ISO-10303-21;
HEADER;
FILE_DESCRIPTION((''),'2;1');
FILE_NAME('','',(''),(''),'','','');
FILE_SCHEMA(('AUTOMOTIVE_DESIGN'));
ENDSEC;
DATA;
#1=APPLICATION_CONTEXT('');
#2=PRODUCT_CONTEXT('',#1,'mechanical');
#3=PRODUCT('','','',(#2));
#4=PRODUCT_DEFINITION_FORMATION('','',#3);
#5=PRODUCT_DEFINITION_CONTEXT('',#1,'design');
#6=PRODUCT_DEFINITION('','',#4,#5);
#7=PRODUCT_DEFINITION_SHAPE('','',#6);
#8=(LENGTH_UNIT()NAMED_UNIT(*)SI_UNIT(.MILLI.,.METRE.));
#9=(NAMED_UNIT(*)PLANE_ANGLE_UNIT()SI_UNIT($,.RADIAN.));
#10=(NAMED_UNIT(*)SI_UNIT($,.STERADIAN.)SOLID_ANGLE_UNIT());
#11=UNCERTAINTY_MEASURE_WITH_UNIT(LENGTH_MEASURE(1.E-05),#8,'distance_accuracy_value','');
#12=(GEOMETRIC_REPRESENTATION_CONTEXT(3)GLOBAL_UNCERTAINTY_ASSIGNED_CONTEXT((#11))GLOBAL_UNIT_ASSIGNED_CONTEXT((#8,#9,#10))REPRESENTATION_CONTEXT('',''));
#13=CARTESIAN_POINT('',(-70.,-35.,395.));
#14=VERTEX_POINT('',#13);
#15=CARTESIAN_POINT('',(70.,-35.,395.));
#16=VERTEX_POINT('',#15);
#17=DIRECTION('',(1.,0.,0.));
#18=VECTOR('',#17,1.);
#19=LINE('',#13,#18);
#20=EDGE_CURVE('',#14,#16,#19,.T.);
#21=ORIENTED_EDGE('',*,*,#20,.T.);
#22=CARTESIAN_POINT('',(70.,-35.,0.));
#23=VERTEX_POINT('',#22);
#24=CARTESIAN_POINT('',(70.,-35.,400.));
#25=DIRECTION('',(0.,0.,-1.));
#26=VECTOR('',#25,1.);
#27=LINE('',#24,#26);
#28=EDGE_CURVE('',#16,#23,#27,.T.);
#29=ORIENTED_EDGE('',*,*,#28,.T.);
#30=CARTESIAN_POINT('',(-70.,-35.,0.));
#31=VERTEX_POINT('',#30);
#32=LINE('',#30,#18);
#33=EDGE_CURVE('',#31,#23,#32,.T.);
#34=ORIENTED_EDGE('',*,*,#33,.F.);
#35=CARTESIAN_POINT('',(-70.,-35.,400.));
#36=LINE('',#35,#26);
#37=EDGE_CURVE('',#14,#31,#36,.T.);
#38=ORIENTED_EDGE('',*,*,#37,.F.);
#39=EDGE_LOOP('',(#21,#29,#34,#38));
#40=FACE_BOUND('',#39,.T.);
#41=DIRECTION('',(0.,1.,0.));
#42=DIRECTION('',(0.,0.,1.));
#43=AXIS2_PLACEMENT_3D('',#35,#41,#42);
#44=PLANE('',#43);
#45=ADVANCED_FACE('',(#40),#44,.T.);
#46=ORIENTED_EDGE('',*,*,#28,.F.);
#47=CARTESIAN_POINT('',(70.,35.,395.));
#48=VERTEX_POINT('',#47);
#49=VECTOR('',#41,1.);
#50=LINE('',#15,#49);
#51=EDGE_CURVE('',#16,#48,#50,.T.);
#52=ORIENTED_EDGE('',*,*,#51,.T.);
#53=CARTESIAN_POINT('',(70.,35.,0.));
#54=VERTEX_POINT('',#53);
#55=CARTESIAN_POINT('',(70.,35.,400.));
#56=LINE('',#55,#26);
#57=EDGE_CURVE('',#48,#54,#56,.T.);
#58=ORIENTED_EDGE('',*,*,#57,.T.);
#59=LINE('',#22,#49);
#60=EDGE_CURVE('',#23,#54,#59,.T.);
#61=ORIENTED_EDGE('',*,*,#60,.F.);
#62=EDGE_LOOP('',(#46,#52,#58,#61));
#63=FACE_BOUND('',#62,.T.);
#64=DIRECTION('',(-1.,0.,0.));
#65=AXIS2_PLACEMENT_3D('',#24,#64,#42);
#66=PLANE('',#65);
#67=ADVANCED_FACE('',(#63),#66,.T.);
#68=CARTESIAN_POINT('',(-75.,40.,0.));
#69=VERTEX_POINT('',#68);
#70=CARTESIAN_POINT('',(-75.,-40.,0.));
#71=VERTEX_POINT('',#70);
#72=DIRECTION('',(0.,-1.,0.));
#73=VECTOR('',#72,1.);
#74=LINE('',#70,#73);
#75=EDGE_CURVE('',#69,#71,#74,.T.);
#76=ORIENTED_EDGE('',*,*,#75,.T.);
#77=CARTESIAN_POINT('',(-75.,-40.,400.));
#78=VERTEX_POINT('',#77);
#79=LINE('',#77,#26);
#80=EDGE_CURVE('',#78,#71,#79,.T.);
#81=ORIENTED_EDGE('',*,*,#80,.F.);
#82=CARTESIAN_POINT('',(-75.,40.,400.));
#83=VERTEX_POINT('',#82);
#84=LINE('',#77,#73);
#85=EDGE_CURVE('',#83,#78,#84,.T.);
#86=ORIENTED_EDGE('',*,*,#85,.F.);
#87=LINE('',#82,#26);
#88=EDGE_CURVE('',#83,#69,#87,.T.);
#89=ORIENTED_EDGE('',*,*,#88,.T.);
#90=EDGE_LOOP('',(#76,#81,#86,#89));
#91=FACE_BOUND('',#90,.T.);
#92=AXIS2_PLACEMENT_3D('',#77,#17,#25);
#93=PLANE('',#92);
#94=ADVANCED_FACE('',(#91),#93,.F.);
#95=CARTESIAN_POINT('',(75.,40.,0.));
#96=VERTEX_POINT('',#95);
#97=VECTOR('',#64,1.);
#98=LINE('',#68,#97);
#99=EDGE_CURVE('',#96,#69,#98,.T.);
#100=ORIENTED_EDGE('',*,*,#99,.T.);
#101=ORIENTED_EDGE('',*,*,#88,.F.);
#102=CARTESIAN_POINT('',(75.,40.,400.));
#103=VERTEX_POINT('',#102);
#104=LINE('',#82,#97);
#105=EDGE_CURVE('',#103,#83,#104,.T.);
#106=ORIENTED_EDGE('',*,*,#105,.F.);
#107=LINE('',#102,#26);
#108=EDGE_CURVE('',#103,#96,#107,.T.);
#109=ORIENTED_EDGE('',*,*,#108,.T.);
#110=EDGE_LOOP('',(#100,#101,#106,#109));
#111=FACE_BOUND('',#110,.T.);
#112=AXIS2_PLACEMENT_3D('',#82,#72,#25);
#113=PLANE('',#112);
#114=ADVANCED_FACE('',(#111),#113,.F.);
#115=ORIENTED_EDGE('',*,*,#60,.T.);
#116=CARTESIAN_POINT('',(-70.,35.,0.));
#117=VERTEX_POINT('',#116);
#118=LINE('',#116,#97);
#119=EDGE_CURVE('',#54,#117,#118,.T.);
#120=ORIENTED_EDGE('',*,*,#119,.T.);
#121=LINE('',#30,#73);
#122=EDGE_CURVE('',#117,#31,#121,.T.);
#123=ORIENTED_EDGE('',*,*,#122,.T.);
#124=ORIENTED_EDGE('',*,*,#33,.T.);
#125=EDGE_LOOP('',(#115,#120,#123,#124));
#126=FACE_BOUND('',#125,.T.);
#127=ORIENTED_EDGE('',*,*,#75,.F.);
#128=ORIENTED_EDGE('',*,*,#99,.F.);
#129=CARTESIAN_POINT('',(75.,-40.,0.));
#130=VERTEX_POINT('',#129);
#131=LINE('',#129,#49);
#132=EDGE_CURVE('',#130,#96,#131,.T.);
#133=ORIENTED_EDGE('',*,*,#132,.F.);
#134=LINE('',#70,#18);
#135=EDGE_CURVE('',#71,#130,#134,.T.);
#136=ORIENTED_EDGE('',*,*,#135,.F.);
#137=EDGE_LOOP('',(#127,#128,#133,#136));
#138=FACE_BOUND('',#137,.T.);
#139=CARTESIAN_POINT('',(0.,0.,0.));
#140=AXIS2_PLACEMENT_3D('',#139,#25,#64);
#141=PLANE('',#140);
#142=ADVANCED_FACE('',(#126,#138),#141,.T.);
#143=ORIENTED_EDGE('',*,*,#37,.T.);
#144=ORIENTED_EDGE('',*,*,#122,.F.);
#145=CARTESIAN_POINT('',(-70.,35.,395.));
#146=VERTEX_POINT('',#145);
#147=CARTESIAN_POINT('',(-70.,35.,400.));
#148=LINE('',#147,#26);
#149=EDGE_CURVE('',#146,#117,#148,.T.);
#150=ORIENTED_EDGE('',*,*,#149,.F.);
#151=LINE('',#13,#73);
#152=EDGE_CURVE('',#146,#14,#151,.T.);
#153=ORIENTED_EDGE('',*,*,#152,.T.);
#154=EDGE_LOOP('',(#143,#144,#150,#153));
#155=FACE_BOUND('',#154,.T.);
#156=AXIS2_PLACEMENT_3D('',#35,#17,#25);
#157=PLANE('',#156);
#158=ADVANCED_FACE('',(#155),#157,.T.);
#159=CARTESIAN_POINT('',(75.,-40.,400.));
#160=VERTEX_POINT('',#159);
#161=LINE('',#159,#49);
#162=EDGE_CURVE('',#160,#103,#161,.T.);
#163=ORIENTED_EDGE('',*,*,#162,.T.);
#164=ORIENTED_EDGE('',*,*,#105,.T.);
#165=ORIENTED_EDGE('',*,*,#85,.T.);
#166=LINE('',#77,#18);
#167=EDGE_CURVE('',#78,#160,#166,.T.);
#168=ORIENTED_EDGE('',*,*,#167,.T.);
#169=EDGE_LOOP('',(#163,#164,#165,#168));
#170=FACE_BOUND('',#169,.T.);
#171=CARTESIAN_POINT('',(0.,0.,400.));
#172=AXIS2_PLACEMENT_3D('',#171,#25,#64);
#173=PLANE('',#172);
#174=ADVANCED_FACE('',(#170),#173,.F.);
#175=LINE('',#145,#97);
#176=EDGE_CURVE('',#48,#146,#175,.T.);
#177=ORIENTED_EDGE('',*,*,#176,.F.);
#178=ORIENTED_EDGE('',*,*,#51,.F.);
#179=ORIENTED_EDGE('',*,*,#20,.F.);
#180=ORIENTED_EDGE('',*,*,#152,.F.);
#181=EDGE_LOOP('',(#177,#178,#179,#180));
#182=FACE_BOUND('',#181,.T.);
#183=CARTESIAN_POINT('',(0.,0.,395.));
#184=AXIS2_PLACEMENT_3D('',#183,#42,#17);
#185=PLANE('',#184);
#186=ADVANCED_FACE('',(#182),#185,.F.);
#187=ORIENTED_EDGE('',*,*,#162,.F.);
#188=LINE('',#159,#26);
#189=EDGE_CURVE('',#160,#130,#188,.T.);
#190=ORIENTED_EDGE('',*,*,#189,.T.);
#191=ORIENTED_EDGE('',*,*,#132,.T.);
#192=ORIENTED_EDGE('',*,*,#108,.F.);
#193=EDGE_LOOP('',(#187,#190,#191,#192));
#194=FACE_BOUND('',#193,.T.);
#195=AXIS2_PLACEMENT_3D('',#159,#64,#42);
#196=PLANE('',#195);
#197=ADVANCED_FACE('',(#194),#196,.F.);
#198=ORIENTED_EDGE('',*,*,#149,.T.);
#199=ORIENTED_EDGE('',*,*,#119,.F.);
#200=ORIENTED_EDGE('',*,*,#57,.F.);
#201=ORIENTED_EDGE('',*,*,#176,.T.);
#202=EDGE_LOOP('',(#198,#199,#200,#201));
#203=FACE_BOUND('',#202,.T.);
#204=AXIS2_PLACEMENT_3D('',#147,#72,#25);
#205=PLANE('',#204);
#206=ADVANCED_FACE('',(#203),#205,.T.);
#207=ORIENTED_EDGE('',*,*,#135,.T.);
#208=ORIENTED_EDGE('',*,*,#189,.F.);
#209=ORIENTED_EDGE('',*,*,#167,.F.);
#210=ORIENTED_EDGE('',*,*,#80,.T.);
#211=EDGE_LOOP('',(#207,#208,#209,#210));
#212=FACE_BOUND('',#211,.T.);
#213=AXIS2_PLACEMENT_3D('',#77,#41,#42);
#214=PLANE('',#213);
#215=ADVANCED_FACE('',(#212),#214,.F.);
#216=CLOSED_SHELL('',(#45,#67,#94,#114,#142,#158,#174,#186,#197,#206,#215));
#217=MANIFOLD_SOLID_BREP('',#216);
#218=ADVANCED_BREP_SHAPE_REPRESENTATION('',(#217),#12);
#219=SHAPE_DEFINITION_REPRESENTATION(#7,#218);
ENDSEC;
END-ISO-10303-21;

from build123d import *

# Parameters (mm, degrees)
CROQUIS1_W              = 150
CROQUIS1_H              = 80
CROQUIS1_W_2            = 140
CROQUIS1_H_2            = 70
SALIENTE_EXTRUIR1_DEPTH = 400
CROQUIS2_W              = 150
CROQUIS2_H              = 80
SALIENTE_EXTRUIR2_DEPTH = 5


with BuildPart() as part:
    # Croquis1 → Saliente-Extruir1 (new body)
    with BuildSketch(Plane.XY):
        Rectangle(CROQUIS1_W, CROQUIS1_H)
        Rectangle(CROQUIS1_W_2, CROQUIS1_H_2, mode=Mode.SUBTRACT)
    extrude(amount=SALIENTE_EXTRUIR1_DEPTH)

    # Croquis2 → Saliente-Extruir2 (add)
    with BuildSketch(Plane.XY.offset(400)):
        Rectangle(CROQUIS2_W, CROQUIS2_H)
    extrude(amount=-SALIENTE_EXTRUIR2_DEPTH)


solid = part.part
